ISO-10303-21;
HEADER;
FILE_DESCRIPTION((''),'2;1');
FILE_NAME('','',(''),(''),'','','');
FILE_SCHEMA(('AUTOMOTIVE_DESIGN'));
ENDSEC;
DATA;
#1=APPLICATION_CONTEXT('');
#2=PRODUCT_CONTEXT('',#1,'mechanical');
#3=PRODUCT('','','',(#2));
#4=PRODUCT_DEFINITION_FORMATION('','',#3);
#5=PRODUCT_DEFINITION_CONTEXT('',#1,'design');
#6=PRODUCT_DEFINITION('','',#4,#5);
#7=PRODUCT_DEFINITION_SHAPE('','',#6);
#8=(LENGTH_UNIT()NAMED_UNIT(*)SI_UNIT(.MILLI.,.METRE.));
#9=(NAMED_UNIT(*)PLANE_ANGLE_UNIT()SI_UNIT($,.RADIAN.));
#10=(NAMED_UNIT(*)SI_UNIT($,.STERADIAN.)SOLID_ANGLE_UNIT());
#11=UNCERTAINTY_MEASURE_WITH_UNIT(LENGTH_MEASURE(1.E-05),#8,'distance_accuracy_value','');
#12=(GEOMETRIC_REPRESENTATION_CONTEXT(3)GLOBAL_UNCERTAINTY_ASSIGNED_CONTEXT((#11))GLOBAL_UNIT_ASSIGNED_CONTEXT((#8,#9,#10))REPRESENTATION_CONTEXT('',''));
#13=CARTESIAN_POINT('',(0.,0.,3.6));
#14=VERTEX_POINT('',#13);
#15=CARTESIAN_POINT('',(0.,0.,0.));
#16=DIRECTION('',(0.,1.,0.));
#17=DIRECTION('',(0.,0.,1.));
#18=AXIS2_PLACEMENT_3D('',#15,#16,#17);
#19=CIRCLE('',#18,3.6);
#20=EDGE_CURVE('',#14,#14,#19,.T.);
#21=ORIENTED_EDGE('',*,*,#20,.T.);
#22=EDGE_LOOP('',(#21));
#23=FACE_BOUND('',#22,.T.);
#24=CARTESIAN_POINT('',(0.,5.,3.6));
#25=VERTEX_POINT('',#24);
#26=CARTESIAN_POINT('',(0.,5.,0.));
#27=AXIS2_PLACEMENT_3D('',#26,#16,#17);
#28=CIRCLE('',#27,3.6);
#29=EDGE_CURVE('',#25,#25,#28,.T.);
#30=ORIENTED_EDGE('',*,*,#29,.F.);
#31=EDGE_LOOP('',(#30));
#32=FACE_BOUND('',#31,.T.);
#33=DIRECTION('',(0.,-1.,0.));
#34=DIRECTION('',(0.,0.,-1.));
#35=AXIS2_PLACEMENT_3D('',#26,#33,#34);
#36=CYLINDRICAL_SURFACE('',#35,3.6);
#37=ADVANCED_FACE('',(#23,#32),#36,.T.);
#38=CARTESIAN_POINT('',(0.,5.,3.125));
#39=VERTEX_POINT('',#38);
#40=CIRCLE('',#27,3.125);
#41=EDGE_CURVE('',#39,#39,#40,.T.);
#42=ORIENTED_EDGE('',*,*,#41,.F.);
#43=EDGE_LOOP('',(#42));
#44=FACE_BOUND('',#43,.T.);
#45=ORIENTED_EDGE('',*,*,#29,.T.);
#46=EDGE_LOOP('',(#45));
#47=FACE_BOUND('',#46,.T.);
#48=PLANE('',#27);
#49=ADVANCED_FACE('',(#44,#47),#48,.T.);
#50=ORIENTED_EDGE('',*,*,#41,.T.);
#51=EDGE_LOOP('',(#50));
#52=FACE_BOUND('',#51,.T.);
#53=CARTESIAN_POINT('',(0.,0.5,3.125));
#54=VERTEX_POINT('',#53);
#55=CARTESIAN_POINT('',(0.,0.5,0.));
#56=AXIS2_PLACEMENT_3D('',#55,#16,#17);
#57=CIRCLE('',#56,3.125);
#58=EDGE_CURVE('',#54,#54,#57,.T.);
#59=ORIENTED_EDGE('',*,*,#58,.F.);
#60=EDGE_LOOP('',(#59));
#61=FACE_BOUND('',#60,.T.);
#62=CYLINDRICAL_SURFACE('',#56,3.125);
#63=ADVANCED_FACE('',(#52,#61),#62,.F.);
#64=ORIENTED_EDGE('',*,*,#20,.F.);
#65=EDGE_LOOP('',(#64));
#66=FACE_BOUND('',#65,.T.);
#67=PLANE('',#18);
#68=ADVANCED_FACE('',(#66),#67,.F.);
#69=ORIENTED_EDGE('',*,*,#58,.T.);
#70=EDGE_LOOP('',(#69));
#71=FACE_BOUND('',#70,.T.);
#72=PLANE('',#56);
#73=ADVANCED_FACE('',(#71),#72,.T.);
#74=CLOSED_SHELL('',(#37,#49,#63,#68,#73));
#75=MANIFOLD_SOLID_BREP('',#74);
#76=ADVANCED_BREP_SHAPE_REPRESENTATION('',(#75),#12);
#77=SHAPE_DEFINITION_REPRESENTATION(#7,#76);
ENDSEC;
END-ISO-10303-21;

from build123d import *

# Parameters (mm, degrees)
SKETCH1_R           = 3.6
BOSS_EXTRUDE1_DEPTH = 5
SKETCH2_R           = 3.125
CUT_EXTRUDE1_DEPTH  = 4.5


with BuildPart() as part:
    # Sketch1 → Boss-Extrude1 (new body)
    with BuildSketch(Plane(origin=(0, 0, 0), x_dir=(1, 0, 0), z_dir=(0, 1, 0))):
        with Locations(Location((0, 0, 0), (0, 0, 270))):
            Circle(SKETCH1_R)
    extrude(amount=BOSS_EXTRUDE1_DEPTH)

    # Sketch2 → Cut-Extrude1 (cut)
    with BuildSketch(Plane(origin=(0, 5, 0), x_dir=(1, 0, 0), z_dir=(0, 1, 0))):
        with Locations(Location((0, 0, 0), (0, 0, 270))):
            Circle(SKETCH2_R)
    extrude(amount=-CUT_EXTRUDE1_DEPTH, mode=Mode.SUBTRACT)


solid = part.part
